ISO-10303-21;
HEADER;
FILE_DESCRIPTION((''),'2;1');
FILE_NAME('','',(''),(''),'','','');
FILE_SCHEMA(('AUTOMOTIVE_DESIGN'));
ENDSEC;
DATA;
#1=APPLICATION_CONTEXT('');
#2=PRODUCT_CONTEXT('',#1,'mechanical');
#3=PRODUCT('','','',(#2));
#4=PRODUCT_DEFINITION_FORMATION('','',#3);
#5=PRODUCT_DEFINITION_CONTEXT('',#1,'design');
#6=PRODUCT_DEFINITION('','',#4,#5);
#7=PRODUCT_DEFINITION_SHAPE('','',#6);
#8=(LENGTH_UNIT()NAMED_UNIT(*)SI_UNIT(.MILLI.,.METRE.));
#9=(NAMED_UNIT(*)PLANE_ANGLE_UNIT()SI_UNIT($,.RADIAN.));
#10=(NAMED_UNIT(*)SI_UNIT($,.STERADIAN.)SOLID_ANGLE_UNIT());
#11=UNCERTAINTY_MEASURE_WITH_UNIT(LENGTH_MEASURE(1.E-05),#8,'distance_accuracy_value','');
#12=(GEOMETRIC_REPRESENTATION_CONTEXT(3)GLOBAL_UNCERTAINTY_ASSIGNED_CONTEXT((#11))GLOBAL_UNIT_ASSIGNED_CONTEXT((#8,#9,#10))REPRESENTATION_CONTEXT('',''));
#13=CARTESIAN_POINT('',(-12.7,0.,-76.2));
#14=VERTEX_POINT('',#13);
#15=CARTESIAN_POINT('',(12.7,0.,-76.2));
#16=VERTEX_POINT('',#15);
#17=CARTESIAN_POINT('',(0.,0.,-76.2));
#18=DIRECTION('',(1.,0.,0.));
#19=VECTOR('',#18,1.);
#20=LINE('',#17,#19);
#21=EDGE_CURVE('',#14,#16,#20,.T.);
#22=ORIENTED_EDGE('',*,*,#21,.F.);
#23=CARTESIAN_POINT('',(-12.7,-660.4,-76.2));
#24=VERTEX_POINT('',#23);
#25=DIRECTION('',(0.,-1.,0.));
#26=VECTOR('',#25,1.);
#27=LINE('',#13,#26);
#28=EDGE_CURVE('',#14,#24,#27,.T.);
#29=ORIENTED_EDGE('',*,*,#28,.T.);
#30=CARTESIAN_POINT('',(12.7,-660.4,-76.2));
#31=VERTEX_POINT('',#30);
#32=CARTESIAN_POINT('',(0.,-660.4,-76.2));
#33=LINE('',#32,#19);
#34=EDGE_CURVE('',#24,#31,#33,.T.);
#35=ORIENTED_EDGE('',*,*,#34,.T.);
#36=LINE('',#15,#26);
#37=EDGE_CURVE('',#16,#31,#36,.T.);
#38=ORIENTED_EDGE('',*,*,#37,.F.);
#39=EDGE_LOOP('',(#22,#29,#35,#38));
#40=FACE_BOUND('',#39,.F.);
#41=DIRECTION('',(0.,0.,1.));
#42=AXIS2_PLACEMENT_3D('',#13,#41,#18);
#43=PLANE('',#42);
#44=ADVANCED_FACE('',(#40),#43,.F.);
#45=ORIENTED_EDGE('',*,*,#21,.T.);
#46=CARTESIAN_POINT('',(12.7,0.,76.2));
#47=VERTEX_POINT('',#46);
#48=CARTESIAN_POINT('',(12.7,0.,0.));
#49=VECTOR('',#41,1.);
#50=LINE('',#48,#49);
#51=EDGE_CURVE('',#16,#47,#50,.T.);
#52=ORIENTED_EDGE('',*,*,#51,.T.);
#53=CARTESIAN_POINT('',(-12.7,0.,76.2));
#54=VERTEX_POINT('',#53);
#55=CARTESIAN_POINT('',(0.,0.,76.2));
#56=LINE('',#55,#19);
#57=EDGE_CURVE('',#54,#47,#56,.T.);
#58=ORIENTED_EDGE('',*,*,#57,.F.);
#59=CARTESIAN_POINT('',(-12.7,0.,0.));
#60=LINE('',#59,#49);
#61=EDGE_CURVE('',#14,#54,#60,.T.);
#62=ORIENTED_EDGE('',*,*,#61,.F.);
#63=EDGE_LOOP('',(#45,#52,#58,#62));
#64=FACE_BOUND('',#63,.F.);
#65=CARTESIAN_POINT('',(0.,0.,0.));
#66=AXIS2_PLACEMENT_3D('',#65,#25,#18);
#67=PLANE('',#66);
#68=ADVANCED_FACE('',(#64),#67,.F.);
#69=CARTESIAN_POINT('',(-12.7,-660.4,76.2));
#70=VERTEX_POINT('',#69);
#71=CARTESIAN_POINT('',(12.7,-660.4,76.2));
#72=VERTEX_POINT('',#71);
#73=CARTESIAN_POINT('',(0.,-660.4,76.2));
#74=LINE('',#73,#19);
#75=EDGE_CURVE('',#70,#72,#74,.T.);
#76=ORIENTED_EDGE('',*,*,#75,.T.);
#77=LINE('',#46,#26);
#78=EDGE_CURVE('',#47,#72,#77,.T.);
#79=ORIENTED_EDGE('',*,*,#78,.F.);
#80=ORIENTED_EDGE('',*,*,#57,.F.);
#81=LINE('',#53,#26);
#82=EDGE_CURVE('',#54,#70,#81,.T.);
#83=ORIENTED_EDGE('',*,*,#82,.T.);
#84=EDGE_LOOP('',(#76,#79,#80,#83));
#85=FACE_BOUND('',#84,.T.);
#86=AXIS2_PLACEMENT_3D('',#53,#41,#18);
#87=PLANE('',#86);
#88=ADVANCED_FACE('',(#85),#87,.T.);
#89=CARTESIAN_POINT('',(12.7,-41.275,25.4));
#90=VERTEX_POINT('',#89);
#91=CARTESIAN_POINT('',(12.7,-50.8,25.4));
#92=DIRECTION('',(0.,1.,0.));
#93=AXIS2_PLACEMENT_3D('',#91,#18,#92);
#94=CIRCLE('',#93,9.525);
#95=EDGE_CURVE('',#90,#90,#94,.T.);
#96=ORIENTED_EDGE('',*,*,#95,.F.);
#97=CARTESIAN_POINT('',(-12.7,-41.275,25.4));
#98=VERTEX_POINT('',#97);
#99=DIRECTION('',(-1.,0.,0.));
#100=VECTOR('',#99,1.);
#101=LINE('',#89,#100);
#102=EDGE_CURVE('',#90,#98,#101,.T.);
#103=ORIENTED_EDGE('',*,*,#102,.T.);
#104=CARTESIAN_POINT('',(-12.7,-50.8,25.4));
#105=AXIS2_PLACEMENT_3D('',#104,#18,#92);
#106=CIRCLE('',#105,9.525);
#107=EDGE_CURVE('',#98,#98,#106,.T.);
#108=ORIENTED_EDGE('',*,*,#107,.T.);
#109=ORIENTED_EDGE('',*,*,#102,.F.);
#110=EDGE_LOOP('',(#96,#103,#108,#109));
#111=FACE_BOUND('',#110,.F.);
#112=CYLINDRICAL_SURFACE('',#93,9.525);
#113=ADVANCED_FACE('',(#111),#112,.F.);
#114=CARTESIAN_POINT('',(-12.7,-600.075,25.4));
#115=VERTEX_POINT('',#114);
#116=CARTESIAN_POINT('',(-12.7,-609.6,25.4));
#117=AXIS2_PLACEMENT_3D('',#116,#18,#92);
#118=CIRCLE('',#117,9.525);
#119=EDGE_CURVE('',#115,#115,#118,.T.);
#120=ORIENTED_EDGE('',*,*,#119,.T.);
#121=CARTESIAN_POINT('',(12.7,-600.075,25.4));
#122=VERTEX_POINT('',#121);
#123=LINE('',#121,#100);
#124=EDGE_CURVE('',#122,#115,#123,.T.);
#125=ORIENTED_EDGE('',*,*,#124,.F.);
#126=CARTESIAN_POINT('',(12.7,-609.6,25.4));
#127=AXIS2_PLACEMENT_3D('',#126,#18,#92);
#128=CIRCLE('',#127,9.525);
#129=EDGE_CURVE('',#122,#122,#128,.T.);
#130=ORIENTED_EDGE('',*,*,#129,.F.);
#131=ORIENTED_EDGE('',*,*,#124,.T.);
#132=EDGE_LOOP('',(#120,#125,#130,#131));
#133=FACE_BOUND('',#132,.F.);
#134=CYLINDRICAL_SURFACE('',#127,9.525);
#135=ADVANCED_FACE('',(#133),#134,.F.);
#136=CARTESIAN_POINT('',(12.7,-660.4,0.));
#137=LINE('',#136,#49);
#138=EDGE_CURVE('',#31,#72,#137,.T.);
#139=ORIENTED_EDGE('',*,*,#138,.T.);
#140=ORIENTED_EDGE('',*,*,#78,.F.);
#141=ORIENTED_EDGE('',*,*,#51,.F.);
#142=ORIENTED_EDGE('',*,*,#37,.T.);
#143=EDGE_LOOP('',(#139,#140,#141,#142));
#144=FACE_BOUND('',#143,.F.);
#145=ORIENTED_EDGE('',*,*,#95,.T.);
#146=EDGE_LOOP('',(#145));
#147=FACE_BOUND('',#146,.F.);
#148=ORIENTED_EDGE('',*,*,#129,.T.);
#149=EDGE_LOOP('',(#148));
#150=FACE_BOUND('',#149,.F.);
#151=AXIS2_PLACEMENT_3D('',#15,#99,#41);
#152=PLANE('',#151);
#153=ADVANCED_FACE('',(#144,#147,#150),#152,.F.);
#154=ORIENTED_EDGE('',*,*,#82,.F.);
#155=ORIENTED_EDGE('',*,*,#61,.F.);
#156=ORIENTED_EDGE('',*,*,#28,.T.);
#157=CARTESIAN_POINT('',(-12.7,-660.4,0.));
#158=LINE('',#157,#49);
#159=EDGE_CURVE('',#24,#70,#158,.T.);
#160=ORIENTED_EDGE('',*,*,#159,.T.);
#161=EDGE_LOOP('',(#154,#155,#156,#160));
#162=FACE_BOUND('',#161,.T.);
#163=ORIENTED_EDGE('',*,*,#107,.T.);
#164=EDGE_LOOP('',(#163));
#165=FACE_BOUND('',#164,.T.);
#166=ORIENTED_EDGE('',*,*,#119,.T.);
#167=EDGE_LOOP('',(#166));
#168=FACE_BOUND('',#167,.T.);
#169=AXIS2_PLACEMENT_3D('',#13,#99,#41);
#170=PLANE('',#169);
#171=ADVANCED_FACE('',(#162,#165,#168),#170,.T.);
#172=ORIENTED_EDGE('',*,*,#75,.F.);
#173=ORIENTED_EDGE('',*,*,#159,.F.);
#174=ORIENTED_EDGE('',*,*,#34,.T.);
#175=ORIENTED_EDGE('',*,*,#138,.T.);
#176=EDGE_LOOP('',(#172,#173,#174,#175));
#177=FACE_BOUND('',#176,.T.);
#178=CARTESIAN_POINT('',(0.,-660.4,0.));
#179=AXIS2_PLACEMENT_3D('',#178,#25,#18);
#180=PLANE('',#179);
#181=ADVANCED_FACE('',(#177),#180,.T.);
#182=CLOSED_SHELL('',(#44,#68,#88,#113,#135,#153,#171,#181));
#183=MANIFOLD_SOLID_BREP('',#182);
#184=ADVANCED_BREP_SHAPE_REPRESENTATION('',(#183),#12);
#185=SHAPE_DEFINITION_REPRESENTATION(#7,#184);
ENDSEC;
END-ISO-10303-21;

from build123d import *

# Parameters (mm, degrees)
F0_W     = 25.4
F0_H     = 152.4
F1_DEPTH = 660.4
F2_R     = 9.525
F3_DEPTH = 25.401


with BuildPart() as f1:
    # F0 (on Front) → F1 (new body)
    with BuildSketch(Plane.XZ):
        Rectangle(F0_W, F0_H)
    extrude(amount=F1_DEPTH)

    # F2 (on face) → F3 (cut, through all)
    with BuildSketch(Plane.YZ.offset(12.7)):
        with Locations((-609.6, 25.4)):
            Circle(F2_R)
        with Locations((-50.8, 25.4)):
            Circle(F2_R)
    extrude(amount=-F3_DEPTH, mode=Mode.SUBTRACT)


solid = f1.part
